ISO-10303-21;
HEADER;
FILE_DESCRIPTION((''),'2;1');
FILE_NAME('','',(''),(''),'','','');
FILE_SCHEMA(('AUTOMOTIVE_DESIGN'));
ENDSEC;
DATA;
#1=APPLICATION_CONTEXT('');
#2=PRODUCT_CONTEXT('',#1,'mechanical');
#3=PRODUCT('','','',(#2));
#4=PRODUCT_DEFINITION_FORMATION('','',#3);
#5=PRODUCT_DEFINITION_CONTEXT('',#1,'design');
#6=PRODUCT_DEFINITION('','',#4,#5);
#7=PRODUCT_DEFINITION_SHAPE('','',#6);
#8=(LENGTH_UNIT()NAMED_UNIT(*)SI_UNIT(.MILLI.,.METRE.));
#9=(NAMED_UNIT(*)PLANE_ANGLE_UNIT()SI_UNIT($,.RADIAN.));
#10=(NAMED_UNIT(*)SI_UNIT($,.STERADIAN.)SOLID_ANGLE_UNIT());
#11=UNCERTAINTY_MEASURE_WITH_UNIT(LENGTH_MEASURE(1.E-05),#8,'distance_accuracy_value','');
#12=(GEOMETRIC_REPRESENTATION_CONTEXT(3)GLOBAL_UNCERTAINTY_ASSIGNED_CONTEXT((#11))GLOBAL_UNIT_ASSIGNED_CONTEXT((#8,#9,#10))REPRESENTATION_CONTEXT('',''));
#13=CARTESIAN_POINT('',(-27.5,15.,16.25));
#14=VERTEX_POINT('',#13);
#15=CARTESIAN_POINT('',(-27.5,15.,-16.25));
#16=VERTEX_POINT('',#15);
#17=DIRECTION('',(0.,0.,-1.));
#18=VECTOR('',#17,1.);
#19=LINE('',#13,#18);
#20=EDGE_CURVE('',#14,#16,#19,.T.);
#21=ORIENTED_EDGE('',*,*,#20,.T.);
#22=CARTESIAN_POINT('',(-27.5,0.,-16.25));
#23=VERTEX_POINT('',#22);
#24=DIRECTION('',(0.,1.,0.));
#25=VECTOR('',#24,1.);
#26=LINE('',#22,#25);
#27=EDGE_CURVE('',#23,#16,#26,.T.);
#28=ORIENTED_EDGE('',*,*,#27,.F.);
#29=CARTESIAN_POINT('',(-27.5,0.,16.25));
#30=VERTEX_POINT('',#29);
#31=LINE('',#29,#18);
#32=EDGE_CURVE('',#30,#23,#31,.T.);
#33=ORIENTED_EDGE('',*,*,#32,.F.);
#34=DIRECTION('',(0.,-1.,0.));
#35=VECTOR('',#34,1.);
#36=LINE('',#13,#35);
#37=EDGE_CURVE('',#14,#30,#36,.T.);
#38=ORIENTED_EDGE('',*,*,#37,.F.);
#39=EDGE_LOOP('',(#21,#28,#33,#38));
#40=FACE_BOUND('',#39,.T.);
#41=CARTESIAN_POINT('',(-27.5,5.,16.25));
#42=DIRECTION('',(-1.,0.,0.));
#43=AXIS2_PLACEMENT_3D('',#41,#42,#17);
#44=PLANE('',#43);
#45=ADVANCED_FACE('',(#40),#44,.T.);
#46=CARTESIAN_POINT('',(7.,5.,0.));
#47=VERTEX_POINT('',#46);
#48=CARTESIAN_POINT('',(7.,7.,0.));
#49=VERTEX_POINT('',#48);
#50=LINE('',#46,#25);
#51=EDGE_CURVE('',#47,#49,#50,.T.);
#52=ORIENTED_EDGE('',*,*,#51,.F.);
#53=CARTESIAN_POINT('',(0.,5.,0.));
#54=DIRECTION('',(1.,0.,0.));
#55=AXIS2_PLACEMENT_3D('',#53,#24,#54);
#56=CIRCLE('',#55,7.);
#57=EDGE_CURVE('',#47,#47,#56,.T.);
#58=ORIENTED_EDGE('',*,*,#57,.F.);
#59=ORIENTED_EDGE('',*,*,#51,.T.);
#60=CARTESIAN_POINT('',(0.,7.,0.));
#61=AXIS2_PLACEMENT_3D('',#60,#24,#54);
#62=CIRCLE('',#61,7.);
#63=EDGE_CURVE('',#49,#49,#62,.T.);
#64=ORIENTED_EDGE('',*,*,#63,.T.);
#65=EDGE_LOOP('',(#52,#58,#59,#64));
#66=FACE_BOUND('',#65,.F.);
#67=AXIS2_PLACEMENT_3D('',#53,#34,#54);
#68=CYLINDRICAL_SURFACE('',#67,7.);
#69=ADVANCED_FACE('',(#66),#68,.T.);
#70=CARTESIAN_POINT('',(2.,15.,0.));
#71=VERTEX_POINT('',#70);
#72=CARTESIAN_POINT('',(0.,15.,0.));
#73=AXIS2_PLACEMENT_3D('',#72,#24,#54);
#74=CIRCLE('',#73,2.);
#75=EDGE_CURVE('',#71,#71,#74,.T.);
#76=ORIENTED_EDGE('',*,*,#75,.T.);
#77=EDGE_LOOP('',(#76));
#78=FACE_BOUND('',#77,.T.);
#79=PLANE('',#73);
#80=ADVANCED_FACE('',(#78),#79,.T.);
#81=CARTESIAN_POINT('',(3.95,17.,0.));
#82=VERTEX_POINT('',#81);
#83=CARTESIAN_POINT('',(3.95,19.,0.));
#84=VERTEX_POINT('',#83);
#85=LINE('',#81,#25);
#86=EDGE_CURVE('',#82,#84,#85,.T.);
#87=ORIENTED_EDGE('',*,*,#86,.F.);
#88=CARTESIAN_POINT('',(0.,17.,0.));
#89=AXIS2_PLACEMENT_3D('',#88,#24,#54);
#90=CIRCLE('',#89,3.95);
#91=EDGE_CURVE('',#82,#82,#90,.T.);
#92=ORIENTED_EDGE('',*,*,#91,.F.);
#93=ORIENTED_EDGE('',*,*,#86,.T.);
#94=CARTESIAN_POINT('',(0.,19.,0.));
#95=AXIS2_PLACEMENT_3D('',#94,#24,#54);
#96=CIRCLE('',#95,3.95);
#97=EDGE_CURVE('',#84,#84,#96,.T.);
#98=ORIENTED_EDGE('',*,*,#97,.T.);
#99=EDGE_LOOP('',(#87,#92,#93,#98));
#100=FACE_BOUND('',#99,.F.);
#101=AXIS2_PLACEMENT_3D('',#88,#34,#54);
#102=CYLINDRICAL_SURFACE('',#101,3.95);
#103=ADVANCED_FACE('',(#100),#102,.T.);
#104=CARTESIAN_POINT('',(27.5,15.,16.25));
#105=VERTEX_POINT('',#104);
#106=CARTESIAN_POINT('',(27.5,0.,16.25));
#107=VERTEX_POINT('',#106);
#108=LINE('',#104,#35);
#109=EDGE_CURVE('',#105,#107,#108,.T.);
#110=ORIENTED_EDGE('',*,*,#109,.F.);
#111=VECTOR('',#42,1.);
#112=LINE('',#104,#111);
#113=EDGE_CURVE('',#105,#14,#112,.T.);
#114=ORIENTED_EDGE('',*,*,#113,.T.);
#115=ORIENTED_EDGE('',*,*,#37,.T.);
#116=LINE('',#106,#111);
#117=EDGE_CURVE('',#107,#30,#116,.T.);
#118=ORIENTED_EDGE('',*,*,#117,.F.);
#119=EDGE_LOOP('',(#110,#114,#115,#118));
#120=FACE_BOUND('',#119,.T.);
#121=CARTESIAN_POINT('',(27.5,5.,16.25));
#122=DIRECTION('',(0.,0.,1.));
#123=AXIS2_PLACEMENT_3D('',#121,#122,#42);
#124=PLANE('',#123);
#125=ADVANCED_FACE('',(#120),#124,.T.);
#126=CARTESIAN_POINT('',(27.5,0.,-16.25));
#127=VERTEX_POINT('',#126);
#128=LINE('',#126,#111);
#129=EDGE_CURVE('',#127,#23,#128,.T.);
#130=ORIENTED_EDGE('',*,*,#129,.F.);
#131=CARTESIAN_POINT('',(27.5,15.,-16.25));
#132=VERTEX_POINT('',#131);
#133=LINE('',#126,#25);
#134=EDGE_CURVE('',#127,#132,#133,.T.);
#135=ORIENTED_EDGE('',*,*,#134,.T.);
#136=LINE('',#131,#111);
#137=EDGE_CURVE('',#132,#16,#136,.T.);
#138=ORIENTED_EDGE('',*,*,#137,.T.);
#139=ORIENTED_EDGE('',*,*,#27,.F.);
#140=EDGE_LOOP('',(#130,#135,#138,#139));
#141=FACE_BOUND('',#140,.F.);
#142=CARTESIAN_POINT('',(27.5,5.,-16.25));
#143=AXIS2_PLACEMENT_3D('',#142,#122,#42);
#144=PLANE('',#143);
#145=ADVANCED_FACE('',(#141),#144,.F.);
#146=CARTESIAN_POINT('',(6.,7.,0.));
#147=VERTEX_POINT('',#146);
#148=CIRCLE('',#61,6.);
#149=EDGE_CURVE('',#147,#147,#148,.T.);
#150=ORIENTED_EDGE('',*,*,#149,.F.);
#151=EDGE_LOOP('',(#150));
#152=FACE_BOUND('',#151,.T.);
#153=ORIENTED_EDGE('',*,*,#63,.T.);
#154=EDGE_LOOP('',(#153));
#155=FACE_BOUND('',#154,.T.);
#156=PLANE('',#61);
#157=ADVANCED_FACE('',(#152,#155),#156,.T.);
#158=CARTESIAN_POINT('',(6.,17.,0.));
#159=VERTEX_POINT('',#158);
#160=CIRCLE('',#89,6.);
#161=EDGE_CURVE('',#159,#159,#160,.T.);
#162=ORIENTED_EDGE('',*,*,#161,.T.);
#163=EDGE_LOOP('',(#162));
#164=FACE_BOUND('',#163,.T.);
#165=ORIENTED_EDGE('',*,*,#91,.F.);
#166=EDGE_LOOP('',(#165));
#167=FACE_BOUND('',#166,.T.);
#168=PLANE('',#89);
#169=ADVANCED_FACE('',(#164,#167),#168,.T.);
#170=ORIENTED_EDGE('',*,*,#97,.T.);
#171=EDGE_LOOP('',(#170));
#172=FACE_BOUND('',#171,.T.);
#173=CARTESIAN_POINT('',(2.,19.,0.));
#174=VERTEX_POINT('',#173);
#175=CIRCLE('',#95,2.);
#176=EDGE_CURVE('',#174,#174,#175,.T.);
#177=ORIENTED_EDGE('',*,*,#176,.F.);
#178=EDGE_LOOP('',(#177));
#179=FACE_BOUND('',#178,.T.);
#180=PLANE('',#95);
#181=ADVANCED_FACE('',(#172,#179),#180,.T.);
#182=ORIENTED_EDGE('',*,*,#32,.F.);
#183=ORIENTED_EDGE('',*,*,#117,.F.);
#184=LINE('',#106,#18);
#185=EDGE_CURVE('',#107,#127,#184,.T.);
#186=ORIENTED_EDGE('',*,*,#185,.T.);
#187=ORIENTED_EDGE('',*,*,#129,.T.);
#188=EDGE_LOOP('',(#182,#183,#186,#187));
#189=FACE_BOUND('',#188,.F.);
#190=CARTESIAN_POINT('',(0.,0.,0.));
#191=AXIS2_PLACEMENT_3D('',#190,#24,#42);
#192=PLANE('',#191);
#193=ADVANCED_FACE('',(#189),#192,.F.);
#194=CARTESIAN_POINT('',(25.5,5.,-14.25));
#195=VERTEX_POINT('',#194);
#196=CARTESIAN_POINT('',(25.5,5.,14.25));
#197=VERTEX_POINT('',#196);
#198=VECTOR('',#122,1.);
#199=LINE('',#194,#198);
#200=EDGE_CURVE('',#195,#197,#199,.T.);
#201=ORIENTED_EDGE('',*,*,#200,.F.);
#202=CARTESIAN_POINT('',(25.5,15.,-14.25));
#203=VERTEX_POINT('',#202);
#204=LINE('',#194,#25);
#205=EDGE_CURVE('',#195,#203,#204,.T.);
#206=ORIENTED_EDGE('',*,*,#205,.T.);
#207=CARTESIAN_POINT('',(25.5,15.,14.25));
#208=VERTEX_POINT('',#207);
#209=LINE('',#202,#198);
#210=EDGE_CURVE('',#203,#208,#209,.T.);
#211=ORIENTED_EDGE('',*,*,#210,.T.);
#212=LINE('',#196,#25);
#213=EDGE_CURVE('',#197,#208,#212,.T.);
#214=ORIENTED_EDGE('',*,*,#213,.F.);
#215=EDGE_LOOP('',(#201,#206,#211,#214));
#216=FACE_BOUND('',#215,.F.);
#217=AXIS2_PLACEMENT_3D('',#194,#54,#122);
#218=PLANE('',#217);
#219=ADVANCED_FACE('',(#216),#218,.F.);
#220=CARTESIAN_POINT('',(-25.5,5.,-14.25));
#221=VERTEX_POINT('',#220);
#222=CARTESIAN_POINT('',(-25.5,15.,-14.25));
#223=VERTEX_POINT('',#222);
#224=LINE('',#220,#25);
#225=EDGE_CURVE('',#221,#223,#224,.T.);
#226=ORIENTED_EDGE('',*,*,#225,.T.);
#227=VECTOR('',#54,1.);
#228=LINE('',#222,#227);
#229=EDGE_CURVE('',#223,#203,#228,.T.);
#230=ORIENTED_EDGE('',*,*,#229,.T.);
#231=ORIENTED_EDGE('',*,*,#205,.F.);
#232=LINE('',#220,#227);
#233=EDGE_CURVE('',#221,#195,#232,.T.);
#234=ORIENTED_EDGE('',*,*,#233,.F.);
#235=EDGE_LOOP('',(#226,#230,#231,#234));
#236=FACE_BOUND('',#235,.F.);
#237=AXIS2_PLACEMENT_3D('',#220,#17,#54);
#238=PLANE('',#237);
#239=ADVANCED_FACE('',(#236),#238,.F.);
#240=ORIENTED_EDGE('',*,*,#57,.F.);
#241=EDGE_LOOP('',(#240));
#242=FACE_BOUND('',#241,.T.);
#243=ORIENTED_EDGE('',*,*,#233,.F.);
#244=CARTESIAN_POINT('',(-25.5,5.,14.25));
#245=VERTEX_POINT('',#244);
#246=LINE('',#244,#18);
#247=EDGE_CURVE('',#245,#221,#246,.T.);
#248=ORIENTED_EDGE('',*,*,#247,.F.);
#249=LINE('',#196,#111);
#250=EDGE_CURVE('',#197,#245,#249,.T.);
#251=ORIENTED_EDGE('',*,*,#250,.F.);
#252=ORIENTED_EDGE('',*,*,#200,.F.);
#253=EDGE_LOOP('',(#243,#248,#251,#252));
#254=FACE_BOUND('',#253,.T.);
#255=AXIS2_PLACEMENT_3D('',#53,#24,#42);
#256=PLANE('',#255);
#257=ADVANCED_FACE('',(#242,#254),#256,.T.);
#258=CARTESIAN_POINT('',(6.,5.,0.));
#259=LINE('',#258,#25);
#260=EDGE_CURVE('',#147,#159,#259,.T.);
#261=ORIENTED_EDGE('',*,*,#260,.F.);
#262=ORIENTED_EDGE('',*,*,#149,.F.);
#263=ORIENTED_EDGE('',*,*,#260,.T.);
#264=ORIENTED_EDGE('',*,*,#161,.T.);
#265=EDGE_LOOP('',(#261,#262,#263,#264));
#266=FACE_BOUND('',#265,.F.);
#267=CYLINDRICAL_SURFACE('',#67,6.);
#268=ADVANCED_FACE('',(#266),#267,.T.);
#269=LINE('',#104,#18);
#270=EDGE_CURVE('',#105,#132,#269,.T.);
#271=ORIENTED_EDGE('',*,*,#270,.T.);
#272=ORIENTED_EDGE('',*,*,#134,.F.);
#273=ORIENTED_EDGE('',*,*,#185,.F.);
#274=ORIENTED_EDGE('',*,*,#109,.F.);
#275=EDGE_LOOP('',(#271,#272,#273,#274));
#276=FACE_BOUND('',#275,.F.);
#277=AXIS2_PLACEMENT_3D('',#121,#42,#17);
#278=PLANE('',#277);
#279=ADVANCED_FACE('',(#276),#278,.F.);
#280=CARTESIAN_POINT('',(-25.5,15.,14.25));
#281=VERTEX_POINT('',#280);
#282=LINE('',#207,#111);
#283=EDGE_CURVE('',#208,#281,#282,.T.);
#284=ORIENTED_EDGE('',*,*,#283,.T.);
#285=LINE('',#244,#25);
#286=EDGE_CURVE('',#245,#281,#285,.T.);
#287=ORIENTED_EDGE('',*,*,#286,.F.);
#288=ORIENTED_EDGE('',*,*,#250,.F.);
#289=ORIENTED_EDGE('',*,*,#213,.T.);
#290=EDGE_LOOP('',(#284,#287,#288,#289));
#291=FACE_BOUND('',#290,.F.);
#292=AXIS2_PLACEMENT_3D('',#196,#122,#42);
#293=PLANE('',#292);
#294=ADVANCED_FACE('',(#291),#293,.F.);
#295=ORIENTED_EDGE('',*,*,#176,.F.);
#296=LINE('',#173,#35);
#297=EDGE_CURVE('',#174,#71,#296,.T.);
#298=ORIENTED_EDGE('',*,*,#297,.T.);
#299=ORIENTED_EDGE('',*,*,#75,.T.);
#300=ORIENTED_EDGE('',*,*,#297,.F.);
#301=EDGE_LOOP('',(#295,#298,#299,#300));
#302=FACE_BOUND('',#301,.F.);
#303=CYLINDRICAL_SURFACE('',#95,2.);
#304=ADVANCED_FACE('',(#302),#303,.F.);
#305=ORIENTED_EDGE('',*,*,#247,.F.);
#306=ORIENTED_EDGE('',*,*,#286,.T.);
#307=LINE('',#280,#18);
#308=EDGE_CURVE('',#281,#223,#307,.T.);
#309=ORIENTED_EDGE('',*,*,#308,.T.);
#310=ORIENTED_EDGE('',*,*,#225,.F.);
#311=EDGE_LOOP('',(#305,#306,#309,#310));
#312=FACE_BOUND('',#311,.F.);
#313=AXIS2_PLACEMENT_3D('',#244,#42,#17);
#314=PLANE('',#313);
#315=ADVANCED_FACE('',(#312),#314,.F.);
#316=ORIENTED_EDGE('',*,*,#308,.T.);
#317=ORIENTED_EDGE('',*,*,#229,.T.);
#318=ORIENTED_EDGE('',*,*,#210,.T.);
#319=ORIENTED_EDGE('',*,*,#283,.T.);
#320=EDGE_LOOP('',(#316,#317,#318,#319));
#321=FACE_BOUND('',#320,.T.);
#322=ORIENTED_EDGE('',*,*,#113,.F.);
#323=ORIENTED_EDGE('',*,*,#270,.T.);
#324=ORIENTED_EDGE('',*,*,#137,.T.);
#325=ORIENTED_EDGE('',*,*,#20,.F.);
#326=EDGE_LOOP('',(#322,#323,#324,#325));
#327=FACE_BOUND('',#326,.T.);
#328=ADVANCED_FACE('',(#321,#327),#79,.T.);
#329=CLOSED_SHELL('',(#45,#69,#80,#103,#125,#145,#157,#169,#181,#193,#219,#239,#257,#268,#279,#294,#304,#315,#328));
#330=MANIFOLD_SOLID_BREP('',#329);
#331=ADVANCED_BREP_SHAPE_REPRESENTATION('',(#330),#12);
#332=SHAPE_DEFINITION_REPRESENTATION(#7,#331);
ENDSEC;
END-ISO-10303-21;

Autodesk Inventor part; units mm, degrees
ref_plane "YZ Plane" through (0, 0, 0) normal (1, 0, 0) x (0, 1, 0)
ref_plane "XZ Plane" through (0, 0, 0) normal (0, 1, 0) x (-1, 0, 0)
ref_plane "XY Plane" through (0, 0, 0) normal (0, 0, 1) x (1, 0, 0)
sketch "Skizze1" plane through (0, 0, 0) normal (0, 1, 0) x (-1, 0, 0)
  line L0 (-27.5, -16.25) -> (27.5, -16.25)
  line L1 (27.5, -16.25) -> (27.5, 16.25)
  line L2 (27.5, 16.25) -> (-27.5, 16.25)
  line L3 (-27.5, 16.25) -> (-27.5, -16.25)
  line L4 (-38.5, 0) -> (38.5, 0) projected
  line L5 (0, -22.75) -> (0, 22.75) projected
  point P0 (0, 0)
  dimension "d0" = 55
  dimension "d1" = 32.5
extrude "Extrusion1" add sketch "Skizze1" along normal blind 5
sketch "Skizze5" plane through (0, 5, 0) normal (0, 1, 0) x (1, 0, 0)
  line L0 (27.5, 16.25) -> (-27.5, 16.25) projected
  line L1 (27.5, -16.25) -> (27.5, 16.25) projected
  line L2 (-27.5, 16.25) -> (27.5, 16.25)
  line L3 (27.5, 16.25) -> (27.5, -16.25)
  line L4 (27.5, -16.25) -> (-27.5, -16.25)
  line L5 (-27.5, -16.25) -> (-27.5, 16.25)
  line L6 (-25.5, 14.25) -> (25.5, 14.25)
  line L7 (25.5, 14.25) -> (25.5, -14.25)
  line L8 (25.5, -14.25) -> (-25.5, -14.25)
  line L9 (-25.5, -14.25) -> (-25.5, 14.25)
  point P0 (0, 0)
  dimension "d14" = 2
extrude "Extrusion5" add sketch "Skizze5" along normal blind 10
sketch "Skizze6" plane through (0, 5, 0) normal (0, 1, 0) x (1, 0, 0)
  circle A0 centre (0, 0) radius 6
  circle A1 centre (0, 0) radius 7
  dimension "d17" = 12
  dimension "d18" = 14
extrude "Extrusion6" add sketch "Skizze6" along normal blind 2
extrude "Extrusion7" add sketch "Skizze6" along normal blind 12 contours A0
sketch "Skizze8" plane through (0, 17, 0) normal (0, 1, 0) x (1, 0, 0)
  circle A0 centre (0, 0) radius 3.95
  dimension "d23" = 7.9
extrude "Extrusion8" add sketch "Skizze8" along normal blind 2
sketch "Skizze9" plane through (0, 19, 0) normal (0, 1, 0) x (1, 0, 0)
  circle A0 centre (0, 0) radius 2
  dimension "d26" = 4
extrude "Extrusion9" cut sketch "Skizze9" against normal blind 4
properties part number "Servoverbindung_Konzept"
